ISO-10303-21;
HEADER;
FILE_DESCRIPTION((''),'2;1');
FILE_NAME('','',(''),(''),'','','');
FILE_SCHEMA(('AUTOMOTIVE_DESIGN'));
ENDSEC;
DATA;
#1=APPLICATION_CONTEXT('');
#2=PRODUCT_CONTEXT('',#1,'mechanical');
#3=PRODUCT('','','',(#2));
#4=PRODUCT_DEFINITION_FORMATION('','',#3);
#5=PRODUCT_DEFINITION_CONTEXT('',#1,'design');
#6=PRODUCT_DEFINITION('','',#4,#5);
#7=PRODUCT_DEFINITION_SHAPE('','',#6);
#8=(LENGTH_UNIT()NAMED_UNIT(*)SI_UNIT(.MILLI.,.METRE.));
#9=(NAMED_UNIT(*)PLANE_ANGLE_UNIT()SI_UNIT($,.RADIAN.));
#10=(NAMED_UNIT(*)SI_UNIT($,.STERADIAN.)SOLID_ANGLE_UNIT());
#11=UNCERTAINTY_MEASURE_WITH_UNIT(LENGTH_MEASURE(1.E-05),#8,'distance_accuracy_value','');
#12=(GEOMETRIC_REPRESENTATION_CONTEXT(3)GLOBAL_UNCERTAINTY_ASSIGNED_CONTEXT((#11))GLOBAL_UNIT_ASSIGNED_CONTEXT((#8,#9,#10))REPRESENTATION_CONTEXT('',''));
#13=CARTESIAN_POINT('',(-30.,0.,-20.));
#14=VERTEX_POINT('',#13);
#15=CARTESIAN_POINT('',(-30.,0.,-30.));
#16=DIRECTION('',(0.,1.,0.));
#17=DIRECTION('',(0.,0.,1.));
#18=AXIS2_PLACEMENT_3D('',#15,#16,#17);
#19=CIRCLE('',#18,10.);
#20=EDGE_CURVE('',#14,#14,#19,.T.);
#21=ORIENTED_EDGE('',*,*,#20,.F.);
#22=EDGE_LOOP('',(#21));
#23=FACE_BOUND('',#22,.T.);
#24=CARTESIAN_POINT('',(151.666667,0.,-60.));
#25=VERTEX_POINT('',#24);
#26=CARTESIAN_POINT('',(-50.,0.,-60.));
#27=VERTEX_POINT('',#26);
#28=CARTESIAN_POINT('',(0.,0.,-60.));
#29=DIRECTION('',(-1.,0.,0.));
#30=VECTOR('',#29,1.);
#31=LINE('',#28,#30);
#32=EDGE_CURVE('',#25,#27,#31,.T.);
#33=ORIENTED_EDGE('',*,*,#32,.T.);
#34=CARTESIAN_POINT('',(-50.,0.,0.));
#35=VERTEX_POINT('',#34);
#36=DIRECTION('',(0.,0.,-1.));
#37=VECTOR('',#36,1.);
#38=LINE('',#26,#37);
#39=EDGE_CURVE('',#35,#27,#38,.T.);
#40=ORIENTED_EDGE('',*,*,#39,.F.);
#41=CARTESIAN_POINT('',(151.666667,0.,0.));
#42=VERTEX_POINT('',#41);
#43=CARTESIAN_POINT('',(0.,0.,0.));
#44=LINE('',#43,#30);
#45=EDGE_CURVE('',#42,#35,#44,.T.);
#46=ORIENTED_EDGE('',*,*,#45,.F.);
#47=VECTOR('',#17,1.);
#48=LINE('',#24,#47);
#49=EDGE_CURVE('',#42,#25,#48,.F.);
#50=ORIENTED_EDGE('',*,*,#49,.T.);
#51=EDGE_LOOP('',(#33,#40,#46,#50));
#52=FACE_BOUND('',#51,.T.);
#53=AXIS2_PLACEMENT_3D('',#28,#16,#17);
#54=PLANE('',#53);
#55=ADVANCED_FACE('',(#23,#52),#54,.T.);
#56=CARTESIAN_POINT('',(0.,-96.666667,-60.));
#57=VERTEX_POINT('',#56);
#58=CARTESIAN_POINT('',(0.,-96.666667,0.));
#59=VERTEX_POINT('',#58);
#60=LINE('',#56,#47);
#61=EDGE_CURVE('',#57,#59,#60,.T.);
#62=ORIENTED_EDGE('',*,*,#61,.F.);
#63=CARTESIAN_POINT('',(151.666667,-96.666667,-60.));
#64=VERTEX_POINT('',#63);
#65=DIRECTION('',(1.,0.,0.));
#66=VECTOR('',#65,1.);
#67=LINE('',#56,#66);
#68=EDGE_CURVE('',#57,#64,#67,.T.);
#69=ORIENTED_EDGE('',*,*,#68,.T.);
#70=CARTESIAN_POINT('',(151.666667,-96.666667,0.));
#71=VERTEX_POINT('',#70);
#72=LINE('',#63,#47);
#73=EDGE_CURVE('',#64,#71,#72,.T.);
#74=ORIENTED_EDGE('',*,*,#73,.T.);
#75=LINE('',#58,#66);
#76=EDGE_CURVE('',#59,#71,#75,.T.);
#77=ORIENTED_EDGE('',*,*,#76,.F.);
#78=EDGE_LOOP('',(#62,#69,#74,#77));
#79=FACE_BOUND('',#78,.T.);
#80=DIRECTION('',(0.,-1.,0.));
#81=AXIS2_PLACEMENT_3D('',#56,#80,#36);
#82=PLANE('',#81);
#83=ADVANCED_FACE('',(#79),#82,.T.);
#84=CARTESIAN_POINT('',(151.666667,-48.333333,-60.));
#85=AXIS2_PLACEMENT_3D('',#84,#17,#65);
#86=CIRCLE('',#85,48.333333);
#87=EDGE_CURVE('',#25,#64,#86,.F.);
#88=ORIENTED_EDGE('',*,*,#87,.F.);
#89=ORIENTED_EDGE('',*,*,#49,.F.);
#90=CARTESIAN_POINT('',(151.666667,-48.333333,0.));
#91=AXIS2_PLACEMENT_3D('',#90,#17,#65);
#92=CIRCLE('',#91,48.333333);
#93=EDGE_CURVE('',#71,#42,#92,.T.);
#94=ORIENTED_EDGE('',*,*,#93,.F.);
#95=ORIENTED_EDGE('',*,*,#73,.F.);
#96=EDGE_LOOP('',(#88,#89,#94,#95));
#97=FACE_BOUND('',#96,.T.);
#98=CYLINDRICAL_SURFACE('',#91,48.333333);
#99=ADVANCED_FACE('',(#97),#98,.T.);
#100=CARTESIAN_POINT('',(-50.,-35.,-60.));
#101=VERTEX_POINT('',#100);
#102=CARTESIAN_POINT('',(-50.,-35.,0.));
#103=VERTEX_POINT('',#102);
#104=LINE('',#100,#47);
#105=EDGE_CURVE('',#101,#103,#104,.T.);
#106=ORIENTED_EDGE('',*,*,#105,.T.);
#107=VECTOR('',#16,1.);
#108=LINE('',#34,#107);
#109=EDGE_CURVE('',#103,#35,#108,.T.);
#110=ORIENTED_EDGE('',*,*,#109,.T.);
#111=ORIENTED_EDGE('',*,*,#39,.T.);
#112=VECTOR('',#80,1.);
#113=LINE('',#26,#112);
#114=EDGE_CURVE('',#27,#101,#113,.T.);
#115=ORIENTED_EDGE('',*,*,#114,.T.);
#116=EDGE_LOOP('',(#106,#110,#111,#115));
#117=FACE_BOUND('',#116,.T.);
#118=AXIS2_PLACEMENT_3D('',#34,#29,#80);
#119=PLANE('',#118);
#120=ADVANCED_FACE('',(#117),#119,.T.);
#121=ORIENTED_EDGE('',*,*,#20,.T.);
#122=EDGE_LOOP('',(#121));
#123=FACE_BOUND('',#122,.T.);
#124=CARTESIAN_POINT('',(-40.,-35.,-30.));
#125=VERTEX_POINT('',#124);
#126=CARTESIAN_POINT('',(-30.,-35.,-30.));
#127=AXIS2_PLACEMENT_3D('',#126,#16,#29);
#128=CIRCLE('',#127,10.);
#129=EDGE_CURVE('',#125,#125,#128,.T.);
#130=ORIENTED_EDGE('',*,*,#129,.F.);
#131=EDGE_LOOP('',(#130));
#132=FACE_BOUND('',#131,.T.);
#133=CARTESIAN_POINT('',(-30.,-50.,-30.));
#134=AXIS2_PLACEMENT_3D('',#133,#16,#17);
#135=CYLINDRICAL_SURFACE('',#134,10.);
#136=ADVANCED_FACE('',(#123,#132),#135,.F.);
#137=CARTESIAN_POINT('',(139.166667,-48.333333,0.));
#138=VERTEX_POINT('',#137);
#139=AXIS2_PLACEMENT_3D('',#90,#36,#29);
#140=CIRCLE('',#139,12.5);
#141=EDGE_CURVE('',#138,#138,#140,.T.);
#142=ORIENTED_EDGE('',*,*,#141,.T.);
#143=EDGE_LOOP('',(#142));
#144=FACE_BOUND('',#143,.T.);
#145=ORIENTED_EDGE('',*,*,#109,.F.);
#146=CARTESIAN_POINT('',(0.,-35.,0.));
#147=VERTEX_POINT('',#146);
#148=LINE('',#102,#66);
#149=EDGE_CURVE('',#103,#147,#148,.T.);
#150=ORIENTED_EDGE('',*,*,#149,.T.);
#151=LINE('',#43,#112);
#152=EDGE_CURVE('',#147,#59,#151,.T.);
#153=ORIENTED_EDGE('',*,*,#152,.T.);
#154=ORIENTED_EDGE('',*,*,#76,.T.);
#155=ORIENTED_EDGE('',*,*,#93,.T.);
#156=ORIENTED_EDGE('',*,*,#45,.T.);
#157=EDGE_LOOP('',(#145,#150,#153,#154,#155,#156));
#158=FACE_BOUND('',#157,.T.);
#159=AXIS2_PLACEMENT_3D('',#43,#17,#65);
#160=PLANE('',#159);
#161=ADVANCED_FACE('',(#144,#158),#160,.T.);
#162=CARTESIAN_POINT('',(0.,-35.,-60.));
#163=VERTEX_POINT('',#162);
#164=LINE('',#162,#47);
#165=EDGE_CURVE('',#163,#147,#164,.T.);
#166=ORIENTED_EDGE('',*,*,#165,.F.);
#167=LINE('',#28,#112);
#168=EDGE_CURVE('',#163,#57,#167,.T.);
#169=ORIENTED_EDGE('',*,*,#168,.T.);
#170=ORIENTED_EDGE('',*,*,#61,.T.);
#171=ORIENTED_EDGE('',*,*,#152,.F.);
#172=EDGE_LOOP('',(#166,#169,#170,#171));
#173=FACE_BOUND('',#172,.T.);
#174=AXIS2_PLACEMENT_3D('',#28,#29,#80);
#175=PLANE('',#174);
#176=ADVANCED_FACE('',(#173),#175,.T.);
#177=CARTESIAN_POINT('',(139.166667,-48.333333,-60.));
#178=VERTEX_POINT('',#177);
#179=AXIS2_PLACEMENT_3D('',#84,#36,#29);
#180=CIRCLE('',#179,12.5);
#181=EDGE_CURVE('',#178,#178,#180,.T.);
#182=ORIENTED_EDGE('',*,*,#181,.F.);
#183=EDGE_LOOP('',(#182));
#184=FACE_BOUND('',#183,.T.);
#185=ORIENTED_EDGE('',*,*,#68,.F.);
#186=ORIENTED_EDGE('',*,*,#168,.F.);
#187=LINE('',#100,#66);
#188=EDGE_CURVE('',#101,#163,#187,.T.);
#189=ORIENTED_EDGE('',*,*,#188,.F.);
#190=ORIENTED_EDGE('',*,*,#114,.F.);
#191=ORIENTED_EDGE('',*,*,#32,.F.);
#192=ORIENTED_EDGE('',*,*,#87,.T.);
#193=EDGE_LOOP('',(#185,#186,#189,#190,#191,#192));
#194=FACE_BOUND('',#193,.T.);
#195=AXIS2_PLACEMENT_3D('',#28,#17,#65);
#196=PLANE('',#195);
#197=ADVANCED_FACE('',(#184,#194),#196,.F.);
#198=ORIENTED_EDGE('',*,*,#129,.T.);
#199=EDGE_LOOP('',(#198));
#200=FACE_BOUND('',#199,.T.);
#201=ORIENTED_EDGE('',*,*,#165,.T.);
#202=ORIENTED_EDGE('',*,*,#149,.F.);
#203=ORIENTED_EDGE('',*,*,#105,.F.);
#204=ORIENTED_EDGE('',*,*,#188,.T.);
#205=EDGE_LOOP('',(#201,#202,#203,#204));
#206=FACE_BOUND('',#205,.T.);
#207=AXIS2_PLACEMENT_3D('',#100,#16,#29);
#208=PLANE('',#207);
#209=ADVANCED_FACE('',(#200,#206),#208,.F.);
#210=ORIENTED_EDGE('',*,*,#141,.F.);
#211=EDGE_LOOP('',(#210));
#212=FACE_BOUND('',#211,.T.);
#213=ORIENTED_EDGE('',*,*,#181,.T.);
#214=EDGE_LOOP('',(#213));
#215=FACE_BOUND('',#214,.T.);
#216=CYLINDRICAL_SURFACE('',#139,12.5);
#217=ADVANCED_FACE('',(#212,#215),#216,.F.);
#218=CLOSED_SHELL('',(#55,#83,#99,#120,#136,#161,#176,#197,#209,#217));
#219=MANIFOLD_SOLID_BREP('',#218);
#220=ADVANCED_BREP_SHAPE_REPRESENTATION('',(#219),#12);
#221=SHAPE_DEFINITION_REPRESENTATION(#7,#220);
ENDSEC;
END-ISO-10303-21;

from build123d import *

# Parameters (mm, degrees)
SKETCH2_W           = 200
SKETCH2_H           = 96.666666667
BOSS_EXTRUDE2_DEPTH = 60
FILLET12_R          = 48.333333
SKETCH6_R           = 12.5
CUT_EXTRUDE3_DEPTH  = 61
SKETCH8_W           = 60
SKETCH8_H           = 35
BOSS_EXTRUDE3_DEPTH = 50
SKETCH10_R          = 10
CUT_EXTRUDE4_DEPTH  = 50


with BuildPart() as part:
    # Sketch2 → Boss-Extrude2 (new body)
    with BuildSketch(Plane.XY):
        with Locations((100, -48.333333334)):
            Rectangle(SKETCH2_W, SKETCH2_H)
    extrude(amount=-BOSS_EXTRUDE2_DEPTH)

    # Fillet12
    fillet12_edges = [part.edges().sort_by_distance(p)[0] for p in [
        (200, 0, -30),
        (200, -96.666666667, -30),
    ]]
    fillet(fillet12_edges, radius=FILLET12_R)

    # Sketch6 → Cut-Extrude3 (cut, through all)
    with BuildSketch(Plane(origin=(0, 0, -60), x_dir=(-1, 0, 0), z_dir=(0, 0, -1))):
        with Locations((-151.666666667, -48.333333333)):
            Circle(SKETCH6_R)
    extrude(amount=-CUT_EXTRUDE3_DEPTH, mode=Mode.SUBTRACT)

    # Sketch8 → Boss-Extrude3 (add)
    with BuildSketch(Plane.ZY):
        with Locations((-30, -17.5)):
            Rectangle(SKETCH8_W, SKETCH8_H)
    extrude(amount=BOSS_EXTRUDE3_DEPTH)

    # Sketch10 → Cut-Extrude4 (cut)
    with BuildSketch(Plane(origin=(0, 0, 0), x_dir=(1, 0, 0), z_dir=(0, 1, 0))):
        with Locations((-30, 30)):
            Circle(SKETCH10_R)
    extrude(amount=-CUT_EXTRUDE4_DEPTH, mode=Mode.SUBTRACT)


solid = part.part
